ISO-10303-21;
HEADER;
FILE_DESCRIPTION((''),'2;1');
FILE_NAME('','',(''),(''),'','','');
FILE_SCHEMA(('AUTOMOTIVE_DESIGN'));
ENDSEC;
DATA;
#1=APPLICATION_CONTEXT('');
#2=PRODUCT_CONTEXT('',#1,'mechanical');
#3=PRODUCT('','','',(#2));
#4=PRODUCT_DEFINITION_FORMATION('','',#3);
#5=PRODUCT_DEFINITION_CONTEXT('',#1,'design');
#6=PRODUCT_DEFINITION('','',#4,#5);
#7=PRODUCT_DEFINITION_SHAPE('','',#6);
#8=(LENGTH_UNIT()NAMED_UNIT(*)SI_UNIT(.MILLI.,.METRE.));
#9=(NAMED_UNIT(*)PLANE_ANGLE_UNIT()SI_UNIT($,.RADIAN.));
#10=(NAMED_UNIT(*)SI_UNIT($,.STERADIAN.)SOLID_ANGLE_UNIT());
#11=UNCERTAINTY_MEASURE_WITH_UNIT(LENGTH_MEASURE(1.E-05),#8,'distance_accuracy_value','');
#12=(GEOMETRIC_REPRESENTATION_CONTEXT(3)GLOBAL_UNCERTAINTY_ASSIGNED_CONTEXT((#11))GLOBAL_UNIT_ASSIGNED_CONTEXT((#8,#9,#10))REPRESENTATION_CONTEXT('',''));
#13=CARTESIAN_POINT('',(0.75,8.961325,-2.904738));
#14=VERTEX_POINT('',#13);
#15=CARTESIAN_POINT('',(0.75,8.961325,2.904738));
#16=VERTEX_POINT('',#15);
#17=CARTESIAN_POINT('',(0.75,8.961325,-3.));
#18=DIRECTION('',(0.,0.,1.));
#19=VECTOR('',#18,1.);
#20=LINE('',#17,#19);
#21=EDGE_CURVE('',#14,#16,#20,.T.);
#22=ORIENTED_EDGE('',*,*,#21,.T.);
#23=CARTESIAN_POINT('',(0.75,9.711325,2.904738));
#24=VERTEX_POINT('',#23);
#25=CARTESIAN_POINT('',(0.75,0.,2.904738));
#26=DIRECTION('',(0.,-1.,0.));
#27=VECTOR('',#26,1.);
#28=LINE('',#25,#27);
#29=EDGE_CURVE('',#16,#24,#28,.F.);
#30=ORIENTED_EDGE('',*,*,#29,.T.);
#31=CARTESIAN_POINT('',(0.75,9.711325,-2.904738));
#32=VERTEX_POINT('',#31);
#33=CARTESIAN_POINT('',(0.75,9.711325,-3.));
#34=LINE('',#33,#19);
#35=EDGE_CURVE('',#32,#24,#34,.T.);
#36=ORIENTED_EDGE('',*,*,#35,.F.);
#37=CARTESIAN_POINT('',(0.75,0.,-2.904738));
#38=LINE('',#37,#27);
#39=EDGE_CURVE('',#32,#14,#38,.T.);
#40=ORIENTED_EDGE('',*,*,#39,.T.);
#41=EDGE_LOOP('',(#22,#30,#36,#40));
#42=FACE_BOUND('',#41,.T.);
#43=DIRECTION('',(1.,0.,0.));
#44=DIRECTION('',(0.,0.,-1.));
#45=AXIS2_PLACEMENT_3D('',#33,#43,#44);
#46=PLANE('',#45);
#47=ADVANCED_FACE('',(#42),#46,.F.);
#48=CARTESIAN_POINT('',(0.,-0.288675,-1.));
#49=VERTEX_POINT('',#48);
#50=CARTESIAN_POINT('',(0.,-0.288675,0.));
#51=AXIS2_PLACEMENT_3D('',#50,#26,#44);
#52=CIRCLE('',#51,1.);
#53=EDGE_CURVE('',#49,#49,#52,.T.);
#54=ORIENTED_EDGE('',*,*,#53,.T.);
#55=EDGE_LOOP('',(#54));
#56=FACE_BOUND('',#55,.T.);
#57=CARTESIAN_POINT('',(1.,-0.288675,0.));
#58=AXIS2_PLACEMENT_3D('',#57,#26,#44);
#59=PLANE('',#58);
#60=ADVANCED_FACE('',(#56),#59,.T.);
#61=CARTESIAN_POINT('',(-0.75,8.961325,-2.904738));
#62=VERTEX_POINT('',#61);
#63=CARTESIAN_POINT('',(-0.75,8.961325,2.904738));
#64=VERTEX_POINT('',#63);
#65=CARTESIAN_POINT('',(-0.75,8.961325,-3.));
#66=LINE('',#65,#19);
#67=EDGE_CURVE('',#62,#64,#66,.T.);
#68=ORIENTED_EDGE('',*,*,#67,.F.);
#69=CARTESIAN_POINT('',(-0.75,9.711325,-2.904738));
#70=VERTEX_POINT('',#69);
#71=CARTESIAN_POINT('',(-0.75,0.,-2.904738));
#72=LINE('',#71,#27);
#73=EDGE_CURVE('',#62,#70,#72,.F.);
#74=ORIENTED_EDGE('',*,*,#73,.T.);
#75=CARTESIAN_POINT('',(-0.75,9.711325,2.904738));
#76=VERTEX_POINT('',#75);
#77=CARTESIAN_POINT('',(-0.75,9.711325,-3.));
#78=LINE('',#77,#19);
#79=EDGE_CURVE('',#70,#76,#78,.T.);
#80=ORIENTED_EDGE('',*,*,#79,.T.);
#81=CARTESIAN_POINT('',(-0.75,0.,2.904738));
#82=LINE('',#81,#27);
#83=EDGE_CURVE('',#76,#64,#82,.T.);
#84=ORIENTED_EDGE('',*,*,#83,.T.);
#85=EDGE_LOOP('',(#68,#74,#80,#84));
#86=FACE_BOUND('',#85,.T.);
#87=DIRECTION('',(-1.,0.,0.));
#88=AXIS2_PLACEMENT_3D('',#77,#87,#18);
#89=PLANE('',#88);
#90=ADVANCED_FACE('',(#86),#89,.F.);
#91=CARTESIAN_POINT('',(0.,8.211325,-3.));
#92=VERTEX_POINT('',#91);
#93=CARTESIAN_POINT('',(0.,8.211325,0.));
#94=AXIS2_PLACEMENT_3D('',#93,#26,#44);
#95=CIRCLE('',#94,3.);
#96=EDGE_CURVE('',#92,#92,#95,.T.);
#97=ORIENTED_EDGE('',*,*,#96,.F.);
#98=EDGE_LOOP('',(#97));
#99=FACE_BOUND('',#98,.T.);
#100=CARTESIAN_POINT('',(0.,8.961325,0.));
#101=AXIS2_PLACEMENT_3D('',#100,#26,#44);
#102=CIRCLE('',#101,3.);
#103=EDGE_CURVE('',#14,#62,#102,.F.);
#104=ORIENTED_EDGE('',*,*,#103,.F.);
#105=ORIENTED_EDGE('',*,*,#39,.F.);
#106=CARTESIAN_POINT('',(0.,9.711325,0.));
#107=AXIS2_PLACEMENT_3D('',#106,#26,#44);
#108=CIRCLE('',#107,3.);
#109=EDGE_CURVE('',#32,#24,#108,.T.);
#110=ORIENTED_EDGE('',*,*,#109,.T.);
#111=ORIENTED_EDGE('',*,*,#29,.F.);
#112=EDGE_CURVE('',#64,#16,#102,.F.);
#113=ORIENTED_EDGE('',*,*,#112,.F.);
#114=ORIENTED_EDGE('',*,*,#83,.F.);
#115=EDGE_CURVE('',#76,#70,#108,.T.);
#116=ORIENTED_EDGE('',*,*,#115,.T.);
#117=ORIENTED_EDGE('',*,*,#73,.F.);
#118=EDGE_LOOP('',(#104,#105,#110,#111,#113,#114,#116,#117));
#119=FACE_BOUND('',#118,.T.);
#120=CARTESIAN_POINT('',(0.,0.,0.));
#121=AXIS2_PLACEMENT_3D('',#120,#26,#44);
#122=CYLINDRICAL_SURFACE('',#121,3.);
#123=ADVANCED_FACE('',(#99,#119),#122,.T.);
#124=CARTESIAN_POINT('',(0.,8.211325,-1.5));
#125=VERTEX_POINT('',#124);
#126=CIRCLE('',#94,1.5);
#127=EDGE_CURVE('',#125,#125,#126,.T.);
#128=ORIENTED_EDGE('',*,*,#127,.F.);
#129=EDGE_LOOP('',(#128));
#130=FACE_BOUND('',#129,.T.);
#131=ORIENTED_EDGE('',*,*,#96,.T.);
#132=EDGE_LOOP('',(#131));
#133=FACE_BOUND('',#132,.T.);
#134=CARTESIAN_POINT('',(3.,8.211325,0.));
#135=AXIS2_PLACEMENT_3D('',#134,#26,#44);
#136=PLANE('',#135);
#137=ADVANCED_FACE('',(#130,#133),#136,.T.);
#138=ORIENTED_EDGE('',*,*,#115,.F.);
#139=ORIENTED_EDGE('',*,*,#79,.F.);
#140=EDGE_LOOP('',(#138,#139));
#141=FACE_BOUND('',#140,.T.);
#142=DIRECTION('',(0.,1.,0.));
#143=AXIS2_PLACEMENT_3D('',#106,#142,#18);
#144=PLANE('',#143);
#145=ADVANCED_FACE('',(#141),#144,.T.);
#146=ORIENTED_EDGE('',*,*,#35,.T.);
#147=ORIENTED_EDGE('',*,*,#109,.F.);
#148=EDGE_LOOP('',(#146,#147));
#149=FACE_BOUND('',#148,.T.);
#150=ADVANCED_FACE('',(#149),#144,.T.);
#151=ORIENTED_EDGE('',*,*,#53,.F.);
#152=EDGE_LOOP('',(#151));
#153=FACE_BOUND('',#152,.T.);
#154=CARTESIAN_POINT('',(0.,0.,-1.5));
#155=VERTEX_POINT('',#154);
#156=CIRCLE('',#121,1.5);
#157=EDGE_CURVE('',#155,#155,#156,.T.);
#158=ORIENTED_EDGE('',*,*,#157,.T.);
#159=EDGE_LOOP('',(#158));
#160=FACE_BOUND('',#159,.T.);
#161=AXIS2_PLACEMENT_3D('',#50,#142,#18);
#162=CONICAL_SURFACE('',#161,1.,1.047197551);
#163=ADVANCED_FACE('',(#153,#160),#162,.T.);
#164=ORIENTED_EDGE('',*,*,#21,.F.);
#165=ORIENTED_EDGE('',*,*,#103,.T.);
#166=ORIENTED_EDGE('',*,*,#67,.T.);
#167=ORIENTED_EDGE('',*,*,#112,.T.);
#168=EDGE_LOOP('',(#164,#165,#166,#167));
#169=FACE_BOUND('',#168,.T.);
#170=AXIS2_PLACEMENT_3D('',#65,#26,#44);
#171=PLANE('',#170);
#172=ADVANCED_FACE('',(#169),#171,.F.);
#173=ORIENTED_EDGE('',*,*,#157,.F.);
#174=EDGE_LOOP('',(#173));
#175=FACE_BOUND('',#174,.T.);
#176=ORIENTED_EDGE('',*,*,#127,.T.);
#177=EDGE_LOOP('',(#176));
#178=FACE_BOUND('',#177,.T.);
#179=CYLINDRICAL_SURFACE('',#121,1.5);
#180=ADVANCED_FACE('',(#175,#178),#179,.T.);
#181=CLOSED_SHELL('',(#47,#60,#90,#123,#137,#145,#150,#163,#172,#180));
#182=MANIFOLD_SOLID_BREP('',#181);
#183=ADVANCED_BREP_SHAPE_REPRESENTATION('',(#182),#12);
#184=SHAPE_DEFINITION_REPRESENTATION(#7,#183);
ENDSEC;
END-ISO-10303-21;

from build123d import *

# Parameters (mm, degrees)
ENL_V_MAT_EXTRU_1_DEPTH      = 11.597633257
ENL_V_MAT_EXTRU_1_DEPTH_BACK = 11.597633257
ESQUISSE2_W                  = 1.5
ESQUISSE2_H                  = 0.75


with BuildPart() as part:
    # Esquisse1 → Révolution1 (revolve)
    with BuildSketch(Plane.XY, mode=Mode.PRIVATE) as r_volution1_sk:
        Polygon((0, 0), (0, 9.711324865), (3, 9.711324865), (3, 8.211324865), (1.5, 8.211324865), (1.5, 0), (1, -0.288675135), (0, -0.288675135), align=None)
    revolve(r_volution1_sk.sketch.rotate(Axis((0, 0, 0), (0, 1, 0)), 90), axis=Axis((0, 0, 0), (0, 1, 0)))

    # Esquisse2 → Enlèv. mat.-Extru.1 (cut, two sides: drawn at the far end of the back side and taken through both)
    with BuildSketch(Plane.XY.offset(-ENL_V_MAT_EXTRU_1_DEPTH_BACK)):
        with Locations((0, 9.336324865)):
            Rectangle(ESQUISSE2_W, ESQUISSE2_H)
    extrude(amount=ENL_V_MAT_EXTRU_1_DEPTH + ENL_V_MAT_EXTRU_1_DEPTH_BACK, mode=Mode.SUBTRACT)


solid = part.part
